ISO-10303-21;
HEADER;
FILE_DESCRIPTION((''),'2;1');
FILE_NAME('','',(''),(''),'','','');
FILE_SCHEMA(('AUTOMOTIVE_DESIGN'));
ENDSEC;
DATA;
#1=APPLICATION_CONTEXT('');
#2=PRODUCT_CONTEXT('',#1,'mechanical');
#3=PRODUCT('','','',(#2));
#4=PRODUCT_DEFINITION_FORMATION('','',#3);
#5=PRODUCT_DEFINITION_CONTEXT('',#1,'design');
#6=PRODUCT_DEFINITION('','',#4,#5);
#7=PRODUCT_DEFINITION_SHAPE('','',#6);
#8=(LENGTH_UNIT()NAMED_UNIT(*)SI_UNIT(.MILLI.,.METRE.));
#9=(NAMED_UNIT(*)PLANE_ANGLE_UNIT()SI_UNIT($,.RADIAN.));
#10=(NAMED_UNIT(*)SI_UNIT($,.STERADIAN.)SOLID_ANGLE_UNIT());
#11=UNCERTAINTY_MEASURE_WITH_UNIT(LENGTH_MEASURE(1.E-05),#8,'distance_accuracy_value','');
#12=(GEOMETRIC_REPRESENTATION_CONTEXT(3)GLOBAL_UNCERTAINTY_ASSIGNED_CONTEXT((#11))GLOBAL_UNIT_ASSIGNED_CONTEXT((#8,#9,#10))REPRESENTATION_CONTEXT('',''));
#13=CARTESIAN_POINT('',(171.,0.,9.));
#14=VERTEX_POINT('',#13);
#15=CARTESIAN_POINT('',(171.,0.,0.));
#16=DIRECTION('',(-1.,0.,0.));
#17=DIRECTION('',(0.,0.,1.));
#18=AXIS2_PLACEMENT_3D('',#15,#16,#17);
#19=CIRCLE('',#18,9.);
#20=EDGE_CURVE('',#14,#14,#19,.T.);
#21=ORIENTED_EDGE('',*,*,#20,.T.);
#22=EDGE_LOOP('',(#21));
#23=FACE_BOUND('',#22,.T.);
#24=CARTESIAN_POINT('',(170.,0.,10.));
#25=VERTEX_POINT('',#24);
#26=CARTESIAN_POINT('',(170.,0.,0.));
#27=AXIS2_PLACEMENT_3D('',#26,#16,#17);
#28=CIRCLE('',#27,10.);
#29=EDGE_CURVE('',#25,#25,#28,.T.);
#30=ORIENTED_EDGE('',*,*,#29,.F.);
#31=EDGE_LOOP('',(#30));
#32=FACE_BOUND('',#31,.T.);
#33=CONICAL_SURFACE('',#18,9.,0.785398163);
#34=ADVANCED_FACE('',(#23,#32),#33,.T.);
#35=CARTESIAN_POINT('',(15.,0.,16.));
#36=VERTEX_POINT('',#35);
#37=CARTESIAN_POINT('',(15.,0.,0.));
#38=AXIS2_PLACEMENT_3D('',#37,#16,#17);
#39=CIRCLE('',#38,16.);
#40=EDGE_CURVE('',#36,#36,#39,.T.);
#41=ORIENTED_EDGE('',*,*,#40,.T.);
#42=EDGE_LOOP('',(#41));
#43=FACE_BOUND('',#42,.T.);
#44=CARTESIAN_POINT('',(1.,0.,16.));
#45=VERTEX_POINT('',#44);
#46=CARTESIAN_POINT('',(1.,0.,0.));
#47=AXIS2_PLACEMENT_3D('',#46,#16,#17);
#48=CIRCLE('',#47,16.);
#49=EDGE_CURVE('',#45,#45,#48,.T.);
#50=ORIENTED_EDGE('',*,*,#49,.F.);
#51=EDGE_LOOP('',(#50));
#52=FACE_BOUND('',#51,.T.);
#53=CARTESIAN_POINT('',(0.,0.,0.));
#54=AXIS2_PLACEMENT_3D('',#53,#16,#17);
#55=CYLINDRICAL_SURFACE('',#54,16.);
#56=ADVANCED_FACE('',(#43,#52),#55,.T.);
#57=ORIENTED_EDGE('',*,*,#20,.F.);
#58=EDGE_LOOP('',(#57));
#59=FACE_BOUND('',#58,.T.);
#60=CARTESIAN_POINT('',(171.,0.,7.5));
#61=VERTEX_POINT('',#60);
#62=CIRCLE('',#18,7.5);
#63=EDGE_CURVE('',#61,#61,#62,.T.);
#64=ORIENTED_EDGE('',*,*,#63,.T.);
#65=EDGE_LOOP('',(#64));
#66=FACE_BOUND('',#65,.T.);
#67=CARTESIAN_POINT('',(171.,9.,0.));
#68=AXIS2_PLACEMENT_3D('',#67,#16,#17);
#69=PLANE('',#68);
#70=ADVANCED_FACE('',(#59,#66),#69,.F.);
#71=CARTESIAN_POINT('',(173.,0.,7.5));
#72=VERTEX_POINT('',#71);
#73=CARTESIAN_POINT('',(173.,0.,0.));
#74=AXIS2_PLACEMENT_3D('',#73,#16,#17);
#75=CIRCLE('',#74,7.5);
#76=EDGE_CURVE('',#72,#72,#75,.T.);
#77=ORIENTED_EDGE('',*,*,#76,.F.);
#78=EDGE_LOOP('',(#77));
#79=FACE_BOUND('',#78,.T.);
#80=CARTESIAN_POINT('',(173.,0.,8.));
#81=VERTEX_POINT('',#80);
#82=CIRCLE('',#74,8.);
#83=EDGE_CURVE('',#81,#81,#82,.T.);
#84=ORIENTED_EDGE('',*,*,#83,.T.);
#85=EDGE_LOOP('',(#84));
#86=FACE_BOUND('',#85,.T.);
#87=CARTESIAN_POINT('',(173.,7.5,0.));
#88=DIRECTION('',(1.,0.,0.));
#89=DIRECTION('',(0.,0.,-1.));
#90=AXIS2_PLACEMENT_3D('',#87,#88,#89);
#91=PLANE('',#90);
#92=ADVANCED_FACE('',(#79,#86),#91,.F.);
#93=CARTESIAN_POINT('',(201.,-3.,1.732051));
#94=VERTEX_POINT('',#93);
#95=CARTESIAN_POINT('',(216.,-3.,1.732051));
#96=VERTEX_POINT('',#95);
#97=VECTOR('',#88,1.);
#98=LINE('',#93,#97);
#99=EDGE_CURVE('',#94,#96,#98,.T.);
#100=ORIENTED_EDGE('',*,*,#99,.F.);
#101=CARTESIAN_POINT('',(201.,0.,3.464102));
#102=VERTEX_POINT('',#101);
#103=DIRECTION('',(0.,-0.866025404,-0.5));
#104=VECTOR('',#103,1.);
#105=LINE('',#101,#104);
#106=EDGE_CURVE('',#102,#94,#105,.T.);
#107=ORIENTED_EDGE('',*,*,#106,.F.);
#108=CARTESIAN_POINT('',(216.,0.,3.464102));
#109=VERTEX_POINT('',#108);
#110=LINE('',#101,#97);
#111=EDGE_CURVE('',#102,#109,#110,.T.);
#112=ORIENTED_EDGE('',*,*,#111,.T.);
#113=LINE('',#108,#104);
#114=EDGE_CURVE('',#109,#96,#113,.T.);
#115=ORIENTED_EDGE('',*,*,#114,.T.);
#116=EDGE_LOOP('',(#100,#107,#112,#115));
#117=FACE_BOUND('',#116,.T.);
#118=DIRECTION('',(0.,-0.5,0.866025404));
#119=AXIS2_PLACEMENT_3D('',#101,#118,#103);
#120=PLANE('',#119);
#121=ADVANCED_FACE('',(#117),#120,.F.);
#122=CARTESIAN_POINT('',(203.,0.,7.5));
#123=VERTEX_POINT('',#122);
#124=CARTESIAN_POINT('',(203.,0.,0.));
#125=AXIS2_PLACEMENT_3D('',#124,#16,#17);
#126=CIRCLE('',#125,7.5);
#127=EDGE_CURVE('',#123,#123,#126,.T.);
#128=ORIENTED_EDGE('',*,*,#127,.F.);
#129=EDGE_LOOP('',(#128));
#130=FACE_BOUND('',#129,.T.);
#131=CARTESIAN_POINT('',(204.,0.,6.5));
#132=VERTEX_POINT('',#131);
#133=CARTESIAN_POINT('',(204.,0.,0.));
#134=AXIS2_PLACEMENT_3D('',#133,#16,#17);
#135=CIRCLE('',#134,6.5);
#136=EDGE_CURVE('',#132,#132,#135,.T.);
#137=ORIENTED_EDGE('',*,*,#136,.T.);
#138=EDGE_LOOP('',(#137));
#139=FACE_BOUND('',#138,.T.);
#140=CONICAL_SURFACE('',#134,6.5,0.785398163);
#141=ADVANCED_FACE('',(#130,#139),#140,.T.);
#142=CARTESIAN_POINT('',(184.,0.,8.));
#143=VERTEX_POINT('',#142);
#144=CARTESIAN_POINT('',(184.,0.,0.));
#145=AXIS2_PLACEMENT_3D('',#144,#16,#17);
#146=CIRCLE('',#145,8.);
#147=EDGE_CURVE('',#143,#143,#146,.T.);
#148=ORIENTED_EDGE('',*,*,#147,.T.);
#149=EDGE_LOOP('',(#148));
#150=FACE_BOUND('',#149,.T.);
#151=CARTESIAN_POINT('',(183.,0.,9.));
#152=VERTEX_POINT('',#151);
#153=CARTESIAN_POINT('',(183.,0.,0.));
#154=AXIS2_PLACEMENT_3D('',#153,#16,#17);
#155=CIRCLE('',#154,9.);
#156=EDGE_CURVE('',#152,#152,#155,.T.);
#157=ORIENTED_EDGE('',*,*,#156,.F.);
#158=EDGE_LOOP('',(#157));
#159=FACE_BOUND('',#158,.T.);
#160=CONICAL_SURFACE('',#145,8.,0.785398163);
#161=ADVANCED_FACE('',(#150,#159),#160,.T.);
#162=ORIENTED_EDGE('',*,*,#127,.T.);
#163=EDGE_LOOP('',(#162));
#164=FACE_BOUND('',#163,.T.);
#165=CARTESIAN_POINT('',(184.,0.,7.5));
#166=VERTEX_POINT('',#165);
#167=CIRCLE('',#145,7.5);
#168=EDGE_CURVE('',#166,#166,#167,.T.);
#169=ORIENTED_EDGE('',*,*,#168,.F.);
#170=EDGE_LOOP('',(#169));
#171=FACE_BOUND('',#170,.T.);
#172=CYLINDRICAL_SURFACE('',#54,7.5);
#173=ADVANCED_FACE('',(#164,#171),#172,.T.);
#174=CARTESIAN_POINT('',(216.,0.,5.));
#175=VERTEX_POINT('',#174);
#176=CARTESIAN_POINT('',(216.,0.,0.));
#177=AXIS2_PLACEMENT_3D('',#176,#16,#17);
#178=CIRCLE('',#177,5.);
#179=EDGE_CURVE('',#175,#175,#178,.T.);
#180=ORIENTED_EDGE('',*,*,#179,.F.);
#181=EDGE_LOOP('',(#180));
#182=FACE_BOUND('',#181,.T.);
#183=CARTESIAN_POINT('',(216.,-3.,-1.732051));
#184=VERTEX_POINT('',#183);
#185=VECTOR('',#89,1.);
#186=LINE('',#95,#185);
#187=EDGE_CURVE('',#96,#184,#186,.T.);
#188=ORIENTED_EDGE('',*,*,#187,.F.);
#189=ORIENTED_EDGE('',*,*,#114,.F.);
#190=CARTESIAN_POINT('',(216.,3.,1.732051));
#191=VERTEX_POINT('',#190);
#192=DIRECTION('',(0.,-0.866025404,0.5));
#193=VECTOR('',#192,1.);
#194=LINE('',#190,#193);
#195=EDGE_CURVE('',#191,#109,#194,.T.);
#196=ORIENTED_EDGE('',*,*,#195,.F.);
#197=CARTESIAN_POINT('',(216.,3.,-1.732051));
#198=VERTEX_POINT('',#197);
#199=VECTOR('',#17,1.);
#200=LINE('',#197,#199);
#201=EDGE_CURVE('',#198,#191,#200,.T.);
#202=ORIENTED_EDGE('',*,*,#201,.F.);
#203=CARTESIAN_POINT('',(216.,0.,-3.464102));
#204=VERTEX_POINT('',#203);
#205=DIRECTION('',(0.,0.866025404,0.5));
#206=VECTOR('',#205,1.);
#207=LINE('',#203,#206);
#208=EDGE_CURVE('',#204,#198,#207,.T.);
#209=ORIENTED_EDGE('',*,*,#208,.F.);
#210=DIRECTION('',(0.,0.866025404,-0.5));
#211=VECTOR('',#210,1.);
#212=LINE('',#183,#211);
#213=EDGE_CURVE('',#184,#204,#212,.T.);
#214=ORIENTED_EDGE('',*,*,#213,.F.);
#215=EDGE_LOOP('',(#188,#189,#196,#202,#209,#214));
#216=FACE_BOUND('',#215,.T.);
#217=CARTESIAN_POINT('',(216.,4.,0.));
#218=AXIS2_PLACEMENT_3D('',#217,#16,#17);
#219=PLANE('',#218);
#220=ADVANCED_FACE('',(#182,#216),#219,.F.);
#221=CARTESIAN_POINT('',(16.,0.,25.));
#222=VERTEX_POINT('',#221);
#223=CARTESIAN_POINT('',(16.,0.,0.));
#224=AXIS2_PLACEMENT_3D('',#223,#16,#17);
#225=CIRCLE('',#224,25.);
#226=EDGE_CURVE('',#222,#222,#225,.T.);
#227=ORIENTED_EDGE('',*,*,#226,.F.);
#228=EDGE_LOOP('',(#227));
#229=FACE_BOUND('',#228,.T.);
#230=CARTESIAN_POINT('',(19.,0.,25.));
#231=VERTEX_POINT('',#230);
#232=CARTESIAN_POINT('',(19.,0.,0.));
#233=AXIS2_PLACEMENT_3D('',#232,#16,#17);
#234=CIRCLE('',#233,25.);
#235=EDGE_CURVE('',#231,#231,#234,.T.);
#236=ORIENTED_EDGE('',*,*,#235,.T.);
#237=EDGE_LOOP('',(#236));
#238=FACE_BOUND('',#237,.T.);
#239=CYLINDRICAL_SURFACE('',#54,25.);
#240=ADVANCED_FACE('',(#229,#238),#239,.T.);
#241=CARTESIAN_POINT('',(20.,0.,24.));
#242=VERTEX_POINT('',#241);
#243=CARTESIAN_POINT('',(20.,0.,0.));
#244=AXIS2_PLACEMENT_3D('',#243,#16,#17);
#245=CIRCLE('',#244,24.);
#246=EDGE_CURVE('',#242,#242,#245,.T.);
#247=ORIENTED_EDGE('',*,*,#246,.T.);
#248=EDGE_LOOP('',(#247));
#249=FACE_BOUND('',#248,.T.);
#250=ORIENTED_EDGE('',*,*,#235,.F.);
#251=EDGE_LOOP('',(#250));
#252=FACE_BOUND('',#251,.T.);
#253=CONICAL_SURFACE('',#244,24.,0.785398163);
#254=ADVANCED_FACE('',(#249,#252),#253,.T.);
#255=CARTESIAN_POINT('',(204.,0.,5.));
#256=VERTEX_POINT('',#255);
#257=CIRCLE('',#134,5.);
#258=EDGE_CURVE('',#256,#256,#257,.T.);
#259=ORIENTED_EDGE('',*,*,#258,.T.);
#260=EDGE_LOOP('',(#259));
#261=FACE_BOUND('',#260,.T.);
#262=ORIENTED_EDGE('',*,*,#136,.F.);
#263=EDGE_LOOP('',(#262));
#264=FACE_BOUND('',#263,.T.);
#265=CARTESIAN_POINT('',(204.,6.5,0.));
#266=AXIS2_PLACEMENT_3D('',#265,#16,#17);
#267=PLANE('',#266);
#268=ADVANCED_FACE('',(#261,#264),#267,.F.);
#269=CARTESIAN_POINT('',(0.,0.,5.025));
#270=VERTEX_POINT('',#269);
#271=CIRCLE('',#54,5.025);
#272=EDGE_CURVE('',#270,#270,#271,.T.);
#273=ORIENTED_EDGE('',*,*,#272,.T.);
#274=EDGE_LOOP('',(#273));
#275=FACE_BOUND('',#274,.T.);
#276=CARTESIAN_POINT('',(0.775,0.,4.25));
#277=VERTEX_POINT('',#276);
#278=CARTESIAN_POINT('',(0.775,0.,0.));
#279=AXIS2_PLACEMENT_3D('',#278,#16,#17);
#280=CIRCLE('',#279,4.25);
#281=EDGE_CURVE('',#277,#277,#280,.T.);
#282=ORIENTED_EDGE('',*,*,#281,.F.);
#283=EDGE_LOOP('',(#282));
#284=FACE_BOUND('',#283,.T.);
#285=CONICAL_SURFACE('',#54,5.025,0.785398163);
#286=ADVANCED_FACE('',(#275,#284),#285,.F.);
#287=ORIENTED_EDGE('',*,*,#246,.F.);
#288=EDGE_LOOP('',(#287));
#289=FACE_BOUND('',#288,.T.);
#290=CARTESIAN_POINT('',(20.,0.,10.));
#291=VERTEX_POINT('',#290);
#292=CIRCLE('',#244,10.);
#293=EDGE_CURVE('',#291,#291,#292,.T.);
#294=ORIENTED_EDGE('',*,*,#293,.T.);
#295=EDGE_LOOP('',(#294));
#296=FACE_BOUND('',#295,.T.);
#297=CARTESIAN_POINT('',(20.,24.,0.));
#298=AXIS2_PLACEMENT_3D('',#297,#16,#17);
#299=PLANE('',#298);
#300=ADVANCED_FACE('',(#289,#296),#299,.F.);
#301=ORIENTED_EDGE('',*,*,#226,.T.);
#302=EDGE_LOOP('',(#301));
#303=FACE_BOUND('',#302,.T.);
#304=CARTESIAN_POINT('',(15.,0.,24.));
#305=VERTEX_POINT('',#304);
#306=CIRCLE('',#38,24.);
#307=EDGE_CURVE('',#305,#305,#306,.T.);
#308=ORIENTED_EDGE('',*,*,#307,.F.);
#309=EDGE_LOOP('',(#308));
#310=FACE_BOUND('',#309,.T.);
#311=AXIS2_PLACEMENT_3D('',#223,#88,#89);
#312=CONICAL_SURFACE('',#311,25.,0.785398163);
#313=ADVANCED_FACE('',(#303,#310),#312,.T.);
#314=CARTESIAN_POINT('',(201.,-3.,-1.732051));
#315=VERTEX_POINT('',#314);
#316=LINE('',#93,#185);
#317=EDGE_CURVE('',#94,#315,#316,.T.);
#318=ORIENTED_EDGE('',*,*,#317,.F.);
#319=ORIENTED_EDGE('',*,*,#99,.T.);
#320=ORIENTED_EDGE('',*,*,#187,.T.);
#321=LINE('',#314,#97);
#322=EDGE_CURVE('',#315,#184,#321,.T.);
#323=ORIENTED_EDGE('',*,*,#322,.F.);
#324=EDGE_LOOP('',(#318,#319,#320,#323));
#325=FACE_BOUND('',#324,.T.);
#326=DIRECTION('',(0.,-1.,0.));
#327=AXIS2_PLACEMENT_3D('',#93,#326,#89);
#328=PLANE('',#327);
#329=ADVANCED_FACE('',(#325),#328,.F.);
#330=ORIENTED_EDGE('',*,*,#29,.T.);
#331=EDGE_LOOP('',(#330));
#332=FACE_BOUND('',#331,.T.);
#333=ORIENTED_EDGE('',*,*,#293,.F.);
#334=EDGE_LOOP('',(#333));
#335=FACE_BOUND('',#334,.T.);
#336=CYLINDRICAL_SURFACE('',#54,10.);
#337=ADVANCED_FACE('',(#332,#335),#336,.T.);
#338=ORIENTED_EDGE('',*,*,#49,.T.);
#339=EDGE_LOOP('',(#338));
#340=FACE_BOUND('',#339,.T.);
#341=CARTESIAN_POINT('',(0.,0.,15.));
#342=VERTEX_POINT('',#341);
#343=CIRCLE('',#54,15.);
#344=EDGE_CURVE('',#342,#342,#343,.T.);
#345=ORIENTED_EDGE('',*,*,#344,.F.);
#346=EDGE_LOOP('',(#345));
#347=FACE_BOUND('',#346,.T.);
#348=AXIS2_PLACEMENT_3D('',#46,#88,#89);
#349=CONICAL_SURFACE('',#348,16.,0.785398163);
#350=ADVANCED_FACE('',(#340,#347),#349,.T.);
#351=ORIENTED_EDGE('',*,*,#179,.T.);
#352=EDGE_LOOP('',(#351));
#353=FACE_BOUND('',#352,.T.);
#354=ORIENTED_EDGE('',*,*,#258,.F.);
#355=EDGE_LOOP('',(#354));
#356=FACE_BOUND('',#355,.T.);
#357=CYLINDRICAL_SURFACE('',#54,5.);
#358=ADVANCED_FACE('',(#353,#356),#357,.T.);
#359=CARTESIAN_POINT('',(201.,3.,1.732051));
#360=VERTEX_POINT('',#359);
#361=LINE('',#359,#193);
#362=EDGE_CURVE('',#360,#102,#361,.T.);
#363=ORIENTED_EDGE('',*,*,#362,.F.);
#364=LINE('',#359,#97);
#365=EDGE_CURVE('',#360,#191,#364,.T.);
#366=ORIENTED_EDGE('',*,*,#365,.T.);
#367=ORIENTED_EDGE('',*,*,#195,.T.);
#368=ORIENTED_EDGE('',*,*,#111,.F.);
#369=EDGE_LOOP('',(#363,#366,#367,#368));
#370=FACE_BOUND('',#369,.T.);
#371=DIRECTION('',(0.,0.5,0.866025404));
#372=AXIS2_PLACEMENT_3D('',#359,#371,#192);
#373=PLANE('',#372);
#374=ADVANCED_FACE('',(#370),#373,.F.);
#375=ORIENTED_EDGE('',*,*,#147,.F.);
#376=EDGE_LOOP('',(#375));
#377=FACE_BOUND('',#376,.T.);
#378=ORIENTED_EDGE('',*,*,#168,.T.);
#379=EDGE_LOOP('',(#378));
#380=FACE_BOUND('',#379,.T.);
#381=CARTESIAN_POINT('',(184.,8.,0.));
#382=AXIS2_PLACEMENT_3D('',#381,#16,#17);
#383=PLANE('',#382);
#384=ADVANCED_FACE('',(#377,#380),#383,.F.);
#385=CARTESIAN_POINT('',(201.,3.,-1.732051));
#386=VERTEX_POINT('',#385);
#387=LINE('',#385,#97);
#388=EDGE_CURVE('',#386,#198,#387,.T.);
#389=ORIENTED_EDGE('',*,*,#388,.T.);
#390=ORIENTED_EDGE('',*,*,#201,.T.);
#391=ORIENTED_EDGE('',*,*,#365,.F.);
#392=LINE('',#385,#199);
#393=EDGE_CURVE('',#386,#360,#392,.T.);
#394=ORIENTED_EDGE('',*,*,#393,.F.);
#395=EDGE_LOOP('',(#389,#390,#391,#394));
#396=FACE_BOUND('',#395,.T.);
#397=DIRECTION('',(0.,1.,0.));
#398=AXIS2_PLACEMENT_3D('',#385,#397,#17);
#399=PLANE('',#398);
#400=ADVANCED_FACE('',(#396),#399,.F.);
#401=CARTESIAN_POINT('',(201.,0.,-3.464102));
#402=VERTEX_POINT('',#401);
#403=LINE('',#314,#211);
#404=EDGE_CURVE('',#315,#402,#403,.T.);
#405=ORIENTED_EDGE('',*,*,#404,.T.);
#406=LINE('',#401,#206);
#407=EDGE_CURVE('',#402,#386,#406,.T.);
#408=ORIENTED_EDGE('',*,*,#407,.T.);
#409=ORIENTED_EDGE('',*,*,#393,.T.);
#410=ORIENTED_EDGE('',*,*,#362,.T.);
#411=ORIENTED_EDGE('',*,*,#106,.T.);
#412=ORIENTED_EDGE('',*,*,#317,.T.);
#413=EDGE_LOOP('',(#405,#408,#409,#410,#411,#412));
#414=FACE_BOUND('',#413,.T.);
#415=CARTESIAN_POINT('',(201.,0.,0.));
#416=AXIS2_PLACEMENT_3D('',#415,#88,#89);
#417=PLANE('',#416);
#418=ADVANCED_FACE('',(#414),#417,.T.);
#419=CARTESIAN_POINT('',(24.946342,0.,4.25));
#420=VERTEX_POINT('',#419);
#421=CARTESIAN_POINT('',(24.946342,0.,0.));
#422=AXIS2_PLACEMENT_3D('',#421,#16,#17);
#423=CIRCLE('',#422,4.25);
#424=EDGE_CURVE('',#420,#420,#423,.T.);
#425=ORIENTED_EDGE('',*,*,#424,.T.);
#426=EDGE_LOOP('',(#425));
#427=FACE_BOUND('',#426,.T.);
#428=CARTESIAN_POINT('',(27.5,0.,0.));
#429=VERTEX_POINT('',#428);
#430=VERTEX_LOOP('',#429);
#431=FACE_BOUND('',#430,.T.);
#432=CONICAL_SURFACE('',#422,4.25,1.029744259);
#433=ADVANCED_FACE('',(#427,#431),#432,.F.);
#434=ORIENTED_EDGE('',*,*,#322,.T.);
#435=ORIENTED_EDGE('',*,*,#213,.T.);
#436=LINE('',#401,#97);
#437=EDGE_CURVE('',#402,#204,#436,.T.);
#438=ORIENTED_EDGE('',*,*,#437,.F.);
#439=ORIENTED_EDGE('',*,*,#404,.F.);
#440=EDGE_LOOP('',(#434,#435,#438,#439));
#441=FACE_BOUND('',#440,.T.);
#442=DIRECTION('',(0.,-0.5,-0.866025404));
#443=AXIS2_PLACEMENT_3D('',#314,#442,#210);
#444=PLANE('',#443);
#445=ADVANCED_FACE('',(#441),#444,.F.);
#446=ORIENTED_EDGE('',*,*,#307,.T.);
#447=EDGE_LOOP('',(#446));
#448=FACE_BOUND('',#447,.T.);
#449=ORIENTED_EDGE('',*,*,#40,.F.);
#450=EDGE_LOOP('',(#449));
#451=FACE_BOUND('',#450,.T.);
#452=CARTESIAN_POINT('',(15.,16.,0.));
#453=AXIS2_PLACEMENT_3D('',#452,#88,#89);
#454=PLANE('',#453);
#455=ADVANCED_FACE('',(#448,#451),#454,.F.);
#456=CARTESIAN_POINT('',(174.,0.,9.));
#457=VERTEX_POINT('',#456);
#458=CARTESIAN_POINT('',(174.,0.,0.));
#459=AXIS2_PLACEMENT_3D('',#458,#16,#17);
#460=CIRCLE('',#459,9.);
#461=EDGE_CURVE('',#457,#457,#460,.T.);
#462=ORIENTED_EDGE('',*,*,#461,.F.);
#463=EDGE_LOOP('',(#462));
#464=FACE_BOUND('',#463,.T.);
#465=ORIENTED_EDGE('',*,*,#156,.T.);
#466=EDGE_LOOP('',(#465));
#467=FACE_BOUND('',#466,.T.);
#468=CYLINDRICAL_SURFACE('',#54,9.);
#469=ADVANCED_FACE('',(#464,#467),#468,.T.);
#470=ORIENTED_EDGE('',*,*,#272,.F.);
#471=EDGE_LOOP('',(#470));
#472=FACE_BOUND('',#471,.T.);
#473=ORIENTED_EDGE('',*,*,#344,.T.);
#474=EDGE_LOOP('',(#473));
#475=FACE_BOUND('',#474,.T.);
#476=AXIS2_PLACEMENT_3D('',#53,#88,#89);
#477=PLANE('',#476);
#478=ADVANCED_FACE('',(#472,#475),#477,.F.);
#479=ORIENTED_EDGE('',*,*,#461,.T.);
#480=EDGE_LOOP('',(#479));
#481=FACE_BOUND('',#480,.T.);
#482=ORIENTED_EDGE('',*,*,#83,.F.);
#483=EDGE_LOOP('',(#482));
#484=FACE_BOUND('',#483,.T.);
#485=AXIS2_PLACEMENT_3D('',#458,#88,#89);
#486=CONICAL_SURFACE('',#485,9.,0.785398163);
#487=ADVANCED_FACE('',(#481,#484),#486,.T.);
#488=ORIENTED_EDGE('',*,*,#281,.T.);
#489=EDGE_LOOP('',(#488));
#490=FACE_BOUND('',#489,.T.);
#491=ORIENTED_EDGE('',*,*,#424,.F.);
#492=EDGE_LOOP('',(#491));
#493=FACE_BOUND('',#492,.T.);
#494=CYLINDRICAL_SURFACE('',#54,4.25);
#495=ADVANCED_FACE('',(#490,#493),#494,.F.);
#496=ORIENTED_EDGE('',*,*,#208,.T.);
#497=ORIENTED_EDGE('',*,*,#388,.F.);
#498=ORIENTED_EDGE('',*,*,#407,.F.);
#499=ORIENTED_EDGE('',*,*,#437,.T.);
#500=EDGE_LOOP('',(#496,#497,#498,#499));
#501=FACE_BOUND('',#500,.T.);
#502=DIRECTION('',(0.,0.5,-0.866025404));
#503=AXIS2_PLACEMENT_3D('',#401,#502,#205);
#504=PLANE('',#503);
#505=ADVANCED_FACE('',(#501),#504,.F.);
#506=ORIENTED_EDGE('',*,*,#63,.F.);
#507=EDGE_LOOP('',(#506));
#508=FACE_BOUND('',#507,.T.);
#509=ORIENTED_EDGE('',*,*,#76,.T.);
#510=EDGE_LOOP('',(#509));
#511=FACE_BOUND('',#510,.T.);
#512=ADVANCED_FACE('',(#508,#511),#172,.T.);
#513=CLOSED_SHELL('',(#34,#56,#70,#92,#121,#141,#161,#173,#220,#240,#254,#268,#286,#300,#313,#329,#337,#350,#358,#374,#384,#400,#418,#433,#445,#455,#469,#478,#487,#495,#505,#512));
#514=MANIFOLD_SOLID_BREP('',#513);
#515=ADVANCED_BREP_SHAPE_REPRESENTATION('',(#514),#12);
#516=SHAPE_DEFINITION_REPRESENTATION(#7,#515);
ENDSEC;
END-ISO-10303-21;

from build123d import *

# Parameters (mm, degrees)
HOLE_WIZARD_M101_D           = 8.5
HOLE_WIZARD_M101_DEPTH       = 24.946342369
HOLE_WIZARD_M101_CSINK_D     = 10.05
HOLE_WIZARD_M101_CSINK_ANGLE = 90
HOLE_WIZARD_M101_TIP         = 2.553657631
CUT_EXTRUDE_1_DEPTH          = 15


with BuildPart() as part:
    # Эскиз1 → Повернуть1 (revolve)
    with BuildSketch(Plane.XY):
        Polygon((0, 0), (0, 15), (1, 16), (15, 16), (15, 24), (16, 25), (19, 25), (20, 24), (20, 10), (170, 10), (171, 9), (171, 7.5), (173, 7.5), (173, 8), (174, 9), (183, 9), (184, 8), (184, 7.5), (203, 7.5), (204, 6.5), (204, 5), (216, 5), (216, 4), (216, 0), align=None)
    revolve(axis=Axis((0, 0, 0), (1, 0, 0)))

    # Отверстие обработанное метчиком M101
    with Locations(Plane.ZY):
        with Locations((0, 0)):
            CounterSinkHole(HOLE_WIZARD_M101_D / 2, HOLE_WIZARD_M101_CSINK_D / 2, depth=HOLE_WIZARD_M101_DEPTH, counter_sink_angle=HOLE_WIZARD_M101_CSINK_ANGLE)
            with Locations((0, 0, -(HOLE_WIZARD_M101_DEPTH + HOLE_WIZARD_M101_TIP / 2))):  # 118° drill point
                Cone(0, HOLE_WIZARD_M101_D / 2, HOLE_WIZARD_M101_TIP, mode=Mode.SUBTRACT)

    # Эскиз5 → Вырез-Вытянуть1 (cut)
    with BuildSketch(Plane(origin=(216, 0, 0), x_dir=(0, 0, -1), z_dir=(1, 0, 0))):
        Polygon((3.464101615, 0), (1.732050808, 3), (-1.732050808, 3), (-3.464101615, 0), (-1.732050808, -3), (1.732050808, -3), align=None)
    extrude(amount=-CUT_EXTRUDE_1_DEPTH, mode=Mode.SUBTRACT)


solid = part.part
